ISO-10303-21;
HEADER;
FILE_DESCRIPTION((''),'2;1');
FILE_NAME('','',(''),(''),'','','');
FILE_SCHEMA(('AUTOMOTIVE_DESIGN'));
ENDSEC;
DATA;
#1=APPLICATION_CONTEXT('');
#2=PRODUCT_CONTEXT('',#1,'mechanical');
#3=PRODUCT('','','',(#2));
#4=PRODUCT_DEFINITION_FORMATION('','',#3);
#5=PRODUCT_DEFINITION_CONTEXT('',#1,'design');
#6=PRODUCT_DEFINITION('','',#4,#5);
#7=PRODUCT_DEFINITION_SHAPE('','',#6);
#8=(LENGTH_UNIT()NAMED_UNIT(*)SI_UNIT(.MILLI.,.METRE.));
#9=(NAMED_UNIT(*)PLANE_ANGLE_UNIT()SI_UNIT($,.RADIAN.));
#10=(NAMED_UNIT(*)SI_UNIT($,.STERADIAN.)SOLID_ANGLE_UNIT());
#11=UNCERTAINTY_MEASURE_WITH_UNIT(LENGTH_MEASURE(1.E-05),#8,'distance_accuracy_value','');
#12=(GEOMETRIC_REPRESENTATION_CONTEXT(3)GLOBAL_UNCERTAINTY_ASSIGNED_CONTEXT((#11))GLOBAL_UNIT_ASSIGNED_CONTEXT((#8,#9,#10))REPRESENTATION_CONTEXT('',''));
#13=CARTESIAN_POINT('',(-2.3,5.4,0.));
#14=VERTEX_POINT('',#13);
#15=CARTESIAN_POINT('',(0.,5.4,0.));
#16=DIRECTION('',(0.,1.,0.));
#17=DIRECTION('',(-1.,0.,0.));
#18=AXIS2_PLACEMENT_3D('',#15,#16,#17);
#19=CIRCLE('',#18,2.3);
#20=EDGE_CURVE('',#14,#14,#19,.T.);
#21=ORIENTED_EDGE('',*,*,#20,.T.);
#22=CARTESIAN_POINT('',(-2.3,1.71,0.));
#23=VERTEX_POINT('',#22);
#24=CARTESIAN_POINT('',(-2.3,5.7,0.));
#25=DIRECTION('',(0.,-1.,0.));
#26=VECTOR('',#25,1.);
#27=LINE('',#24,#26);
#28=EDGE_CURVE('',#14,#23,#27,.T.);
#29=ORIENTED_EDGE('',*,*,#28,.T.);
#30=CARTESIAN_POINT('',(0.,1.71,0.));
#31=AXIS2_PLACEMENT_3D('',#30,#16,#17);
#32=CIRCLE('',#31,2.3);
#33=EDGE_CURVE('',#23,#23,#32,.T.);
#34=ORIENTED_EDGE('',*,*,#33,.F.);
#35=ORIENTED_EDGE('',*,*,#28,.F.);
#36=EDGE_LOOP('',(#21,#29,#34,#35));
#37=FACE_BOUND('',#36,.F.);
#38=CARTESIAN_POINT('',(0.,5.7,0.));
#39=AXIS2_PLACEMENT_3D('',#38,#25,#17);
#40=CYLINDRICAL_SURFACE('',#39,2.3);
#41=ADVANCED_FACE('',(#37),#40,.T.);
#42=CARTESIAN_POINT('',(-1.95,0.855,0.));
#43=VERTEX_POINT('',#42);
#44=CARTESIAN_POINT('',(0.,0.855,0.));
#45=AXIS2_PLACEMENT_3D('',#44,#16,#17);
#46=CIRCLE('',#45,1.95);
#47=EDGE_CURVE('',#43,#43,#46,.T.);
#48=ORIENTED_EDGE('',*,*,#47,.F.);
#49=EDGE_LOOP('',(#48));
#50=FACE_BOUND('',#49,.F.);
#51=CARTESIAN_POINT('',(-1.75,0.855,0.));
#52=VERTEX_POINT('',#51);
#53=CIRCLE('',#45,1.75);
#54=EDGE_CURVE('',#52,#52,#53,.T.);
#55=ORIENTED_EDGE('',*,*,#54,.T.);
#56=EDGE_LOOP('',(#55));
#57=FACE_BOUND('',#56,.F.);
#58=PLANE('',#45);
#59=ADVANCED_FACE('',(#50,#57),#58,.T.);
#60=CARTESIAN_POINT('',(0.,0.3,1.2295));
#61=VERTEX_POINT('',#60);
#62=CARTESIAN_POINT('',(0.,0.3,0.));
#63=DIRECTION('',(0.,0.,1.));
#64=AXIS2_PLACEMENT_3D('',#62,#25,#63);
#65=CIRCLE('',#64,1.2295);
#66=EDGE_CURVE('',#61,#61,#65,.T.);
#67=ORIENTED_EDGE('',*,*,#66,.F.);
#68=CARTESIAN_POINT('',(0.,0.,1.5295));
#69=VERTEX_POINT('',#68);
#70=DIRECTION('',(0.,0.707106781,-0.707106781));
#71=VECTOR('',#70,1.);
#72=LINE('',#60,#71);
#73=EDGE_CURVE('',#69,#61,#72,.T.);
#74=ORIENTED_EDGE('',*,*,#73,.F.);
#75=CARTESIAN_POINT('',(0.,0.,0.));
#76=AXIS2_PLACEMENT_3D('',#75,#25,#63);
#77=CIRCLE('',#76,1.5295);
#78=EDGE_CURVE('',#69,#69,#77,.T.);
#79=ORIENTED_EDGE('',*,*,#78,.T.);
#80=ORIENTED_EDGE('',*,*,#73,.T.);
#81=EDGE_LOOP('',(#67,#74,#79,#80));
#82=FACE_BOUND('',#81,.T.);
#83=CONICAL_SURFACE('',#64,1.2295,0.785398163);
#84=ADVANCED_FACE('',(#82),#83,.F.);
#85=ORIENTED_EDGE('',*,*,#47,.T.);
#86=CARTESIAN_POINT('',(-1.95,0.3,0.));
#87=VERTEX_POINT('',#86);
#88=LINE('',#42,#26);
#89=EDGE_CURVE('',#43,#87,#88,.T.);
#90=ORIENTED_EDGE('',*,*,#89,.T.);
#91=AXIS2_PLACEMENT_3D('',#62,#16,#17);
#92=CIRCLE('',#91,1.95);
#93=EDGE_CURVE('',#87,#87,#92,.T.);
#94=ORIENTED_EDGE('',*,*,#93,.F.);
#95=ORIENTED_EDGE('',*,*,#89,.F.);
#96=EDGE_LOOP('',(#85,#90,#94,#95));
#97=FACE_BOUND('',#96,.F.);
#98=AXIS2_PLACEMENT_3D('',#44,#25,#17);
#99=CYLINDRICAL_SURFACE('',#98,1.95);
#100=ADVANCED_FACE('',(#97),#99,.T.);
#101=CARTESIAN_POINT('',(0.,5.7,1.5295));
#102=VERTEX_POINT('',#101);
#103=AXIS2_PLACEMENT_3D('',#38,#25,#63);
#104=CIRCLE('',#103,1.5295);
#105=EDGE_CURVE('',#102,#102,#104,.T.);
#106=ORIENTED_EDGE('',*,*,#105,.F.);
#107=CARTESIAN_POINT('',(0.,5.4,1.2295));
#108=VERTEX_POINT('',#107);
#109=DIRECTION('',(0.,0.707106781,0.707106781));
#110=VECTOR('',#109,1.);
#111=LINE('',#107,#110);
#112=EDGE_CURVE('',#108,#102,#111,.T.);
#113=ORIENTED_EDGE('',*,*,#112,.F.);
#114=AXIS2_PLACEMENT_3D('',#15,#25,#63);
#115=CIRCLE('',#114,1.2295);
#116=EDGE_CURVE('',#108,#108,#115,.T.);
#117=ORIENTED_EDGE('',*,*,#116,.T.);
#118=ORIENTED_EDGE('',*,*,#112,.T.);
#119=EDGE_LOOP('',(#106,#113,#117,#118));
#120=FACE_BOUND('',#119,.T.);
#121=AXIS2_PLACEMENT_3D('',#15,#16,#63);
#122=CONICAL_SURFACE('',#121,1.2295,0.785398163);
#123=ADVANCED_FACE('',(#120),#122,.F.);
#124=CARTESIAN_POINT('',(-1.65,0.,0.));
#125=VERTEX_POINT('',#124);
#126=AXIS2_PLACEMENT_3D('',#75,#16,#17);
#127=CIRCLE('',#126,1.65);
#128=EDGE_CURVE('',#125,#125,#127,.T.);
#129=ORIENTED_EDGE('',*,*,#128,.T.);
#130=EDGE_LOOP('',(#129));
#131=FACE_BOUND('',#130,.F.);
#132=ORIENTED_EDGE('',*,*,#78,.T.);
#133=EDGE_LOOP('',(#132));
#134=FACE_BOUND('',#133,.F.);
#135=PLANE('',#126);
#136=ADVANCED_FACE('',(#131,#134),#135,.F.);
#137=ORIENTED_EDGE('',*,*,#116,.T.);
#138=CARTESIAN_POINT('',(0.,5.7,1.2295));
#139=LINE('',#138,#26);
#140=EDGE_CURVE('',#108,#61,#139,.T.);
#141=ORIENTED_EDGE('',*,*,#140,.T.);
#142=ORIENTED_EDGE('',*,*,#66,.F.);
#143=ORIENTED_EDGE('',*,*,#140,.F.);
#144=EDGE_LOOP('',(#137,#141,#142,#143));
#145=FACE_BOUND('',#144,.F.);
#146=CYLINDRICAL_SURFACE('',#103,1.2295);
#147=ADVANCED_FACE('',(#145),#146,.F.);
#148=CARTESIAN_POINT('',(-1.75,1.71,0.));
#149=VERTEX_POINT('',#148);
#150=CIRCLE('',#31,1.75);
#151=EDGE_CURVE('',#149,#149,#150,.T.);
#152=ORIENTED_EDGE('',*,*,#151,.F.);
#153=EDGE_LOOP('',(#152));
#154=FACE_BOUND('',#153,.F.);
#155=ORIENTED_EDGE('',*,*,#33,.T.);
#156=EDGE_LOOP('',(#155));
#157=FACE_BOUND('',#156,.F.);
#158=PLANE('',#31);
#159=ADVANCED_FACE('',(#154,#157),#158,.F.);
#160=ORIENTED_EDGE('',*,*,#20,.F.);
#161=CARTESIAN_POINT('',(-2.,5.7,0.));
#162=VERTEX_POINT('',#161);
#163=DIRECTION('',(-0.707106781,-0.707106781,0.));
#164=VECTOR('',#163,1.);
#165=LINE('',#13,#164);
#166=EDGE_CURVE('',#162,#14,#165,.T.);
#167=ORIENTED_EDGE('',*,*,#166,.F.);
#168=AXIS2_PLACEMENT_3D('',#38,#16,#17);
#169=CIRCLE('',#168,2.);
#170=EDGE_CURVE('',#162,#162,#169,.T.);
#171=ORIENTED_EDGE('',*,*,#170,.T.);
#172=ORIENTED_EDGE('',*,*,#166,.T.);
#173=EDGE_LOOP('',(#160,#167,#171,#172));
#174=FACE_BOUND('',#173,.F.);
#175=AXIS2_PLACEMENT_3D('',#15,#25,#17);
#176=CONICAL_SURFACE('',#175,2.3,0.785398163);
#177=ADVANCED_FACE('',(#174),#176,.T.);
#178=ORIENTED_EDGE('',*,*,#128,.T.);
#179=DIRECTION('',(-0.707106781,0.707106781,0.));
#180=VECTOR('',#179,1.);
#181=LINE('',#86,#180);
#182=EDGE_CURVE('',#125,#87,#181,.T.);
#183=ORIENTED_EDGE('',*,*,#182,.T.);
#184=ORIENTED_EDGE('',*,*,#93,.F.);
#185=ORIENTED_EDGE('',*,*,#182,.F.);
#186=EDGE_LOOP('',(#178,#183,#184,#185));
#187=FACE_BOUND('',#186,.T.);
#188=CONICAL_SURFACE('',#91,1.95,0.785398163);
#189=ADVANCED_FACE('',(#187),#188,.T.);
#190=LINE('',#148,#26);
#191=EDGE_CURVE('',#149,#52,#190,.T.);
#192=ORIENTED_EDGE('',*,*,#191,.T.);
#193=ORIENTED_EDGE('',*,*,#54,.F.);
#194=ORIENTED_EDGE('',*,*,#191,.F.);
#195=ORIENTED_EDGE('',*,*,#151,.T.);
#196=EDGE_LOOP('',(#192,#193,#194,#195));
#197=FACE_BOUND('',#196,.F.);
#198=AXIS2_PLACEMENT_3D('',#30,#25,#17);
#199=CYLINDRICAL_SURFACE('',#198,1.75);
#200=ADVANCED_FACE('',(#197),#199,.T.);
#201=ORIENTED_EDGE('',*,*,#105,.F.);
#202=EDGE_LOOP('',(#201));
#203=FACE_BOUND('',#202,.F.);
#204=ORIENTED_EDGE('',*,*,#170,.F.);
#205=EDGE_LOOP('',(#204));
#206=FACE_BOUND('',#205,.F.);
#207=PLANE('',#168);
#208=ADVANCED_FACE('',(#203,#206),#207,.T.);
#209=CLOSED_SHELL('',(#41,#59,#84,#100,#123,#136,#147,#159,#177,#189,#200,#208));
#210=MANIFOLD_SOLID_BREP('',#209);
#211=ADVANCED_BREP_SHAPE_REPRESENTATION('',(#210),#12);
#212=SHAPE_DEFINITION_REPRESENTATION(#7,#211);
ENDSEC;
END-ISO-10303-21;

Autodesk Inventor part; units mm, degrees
ref_plane "YZ Plane" through (0, 0, 0) normal (1, 0, 0) x (0, 1, 0)
ref_plane "XZ Plane" through (0, 0, 0) normal (0, 1, 0) x (-1, 0, 0)
ref_plane "XY Plane" through (0, 0, 0) normal (0, 0, 1) x (1, 0, 0)
sketch "Skizze1" plane through (0, 0, 0) normal (0, 0, 1) x (1, 0, 0)
  line L0 (0, 0) -> (0, 5.7)
  line L1 (0, 5.7) -> (-2.3, 5.7)
  line L2 (-2.3, 5.7) -> (-2.3, 1.71)
  line L3 (-2.3, 1.71) -> (-1.75, 1.71)
  line L4 (-1.75, 1.71) -> (-1.75, 0.855)
  line L5 (-1.75, 0.855) -> (-1.95, 0.855)
  line L6 (-1.95, 0.855) -> (-1.95, 0)
  line L7 (-1.95, 0) -> (0, 0)
  dimension "d0" = 4.6
  dimension "d1" = 5.7
  dimension "d2" = 3.9
  dimension "d3" = 0.2
  dimension "d4" = 3.99
revolve "Umdrehung1" add sketch "Skizze1" angle 360 about axis through (0, 0, 0) along (0, 1, 0)
sketch "Skizze2" plane through (0, 5.7, 0) normal (0, 1, 0) x (1, 0, 0)
  circle A0 centre (0, 0) radius 2.3 projected
hole "Bohrung1" at (0, 5.7, 0) direction (0, -1, 0) diameter 2.459 end through all thread size "M3x0.5" class "6H" standard "ISO Metric profile"
chamfer "Fase1" distance 0.3 angle 45 4 edges at (0, 5.7, -1.2295) (1.95, 0, 0) (0, 0, -1.2295) (2.3, 5.7, 0)
equation "\"d4\" = 0.7 * d1"
properties part number "RX-M3x5,7" material "Messing, weicher Gelbton"
